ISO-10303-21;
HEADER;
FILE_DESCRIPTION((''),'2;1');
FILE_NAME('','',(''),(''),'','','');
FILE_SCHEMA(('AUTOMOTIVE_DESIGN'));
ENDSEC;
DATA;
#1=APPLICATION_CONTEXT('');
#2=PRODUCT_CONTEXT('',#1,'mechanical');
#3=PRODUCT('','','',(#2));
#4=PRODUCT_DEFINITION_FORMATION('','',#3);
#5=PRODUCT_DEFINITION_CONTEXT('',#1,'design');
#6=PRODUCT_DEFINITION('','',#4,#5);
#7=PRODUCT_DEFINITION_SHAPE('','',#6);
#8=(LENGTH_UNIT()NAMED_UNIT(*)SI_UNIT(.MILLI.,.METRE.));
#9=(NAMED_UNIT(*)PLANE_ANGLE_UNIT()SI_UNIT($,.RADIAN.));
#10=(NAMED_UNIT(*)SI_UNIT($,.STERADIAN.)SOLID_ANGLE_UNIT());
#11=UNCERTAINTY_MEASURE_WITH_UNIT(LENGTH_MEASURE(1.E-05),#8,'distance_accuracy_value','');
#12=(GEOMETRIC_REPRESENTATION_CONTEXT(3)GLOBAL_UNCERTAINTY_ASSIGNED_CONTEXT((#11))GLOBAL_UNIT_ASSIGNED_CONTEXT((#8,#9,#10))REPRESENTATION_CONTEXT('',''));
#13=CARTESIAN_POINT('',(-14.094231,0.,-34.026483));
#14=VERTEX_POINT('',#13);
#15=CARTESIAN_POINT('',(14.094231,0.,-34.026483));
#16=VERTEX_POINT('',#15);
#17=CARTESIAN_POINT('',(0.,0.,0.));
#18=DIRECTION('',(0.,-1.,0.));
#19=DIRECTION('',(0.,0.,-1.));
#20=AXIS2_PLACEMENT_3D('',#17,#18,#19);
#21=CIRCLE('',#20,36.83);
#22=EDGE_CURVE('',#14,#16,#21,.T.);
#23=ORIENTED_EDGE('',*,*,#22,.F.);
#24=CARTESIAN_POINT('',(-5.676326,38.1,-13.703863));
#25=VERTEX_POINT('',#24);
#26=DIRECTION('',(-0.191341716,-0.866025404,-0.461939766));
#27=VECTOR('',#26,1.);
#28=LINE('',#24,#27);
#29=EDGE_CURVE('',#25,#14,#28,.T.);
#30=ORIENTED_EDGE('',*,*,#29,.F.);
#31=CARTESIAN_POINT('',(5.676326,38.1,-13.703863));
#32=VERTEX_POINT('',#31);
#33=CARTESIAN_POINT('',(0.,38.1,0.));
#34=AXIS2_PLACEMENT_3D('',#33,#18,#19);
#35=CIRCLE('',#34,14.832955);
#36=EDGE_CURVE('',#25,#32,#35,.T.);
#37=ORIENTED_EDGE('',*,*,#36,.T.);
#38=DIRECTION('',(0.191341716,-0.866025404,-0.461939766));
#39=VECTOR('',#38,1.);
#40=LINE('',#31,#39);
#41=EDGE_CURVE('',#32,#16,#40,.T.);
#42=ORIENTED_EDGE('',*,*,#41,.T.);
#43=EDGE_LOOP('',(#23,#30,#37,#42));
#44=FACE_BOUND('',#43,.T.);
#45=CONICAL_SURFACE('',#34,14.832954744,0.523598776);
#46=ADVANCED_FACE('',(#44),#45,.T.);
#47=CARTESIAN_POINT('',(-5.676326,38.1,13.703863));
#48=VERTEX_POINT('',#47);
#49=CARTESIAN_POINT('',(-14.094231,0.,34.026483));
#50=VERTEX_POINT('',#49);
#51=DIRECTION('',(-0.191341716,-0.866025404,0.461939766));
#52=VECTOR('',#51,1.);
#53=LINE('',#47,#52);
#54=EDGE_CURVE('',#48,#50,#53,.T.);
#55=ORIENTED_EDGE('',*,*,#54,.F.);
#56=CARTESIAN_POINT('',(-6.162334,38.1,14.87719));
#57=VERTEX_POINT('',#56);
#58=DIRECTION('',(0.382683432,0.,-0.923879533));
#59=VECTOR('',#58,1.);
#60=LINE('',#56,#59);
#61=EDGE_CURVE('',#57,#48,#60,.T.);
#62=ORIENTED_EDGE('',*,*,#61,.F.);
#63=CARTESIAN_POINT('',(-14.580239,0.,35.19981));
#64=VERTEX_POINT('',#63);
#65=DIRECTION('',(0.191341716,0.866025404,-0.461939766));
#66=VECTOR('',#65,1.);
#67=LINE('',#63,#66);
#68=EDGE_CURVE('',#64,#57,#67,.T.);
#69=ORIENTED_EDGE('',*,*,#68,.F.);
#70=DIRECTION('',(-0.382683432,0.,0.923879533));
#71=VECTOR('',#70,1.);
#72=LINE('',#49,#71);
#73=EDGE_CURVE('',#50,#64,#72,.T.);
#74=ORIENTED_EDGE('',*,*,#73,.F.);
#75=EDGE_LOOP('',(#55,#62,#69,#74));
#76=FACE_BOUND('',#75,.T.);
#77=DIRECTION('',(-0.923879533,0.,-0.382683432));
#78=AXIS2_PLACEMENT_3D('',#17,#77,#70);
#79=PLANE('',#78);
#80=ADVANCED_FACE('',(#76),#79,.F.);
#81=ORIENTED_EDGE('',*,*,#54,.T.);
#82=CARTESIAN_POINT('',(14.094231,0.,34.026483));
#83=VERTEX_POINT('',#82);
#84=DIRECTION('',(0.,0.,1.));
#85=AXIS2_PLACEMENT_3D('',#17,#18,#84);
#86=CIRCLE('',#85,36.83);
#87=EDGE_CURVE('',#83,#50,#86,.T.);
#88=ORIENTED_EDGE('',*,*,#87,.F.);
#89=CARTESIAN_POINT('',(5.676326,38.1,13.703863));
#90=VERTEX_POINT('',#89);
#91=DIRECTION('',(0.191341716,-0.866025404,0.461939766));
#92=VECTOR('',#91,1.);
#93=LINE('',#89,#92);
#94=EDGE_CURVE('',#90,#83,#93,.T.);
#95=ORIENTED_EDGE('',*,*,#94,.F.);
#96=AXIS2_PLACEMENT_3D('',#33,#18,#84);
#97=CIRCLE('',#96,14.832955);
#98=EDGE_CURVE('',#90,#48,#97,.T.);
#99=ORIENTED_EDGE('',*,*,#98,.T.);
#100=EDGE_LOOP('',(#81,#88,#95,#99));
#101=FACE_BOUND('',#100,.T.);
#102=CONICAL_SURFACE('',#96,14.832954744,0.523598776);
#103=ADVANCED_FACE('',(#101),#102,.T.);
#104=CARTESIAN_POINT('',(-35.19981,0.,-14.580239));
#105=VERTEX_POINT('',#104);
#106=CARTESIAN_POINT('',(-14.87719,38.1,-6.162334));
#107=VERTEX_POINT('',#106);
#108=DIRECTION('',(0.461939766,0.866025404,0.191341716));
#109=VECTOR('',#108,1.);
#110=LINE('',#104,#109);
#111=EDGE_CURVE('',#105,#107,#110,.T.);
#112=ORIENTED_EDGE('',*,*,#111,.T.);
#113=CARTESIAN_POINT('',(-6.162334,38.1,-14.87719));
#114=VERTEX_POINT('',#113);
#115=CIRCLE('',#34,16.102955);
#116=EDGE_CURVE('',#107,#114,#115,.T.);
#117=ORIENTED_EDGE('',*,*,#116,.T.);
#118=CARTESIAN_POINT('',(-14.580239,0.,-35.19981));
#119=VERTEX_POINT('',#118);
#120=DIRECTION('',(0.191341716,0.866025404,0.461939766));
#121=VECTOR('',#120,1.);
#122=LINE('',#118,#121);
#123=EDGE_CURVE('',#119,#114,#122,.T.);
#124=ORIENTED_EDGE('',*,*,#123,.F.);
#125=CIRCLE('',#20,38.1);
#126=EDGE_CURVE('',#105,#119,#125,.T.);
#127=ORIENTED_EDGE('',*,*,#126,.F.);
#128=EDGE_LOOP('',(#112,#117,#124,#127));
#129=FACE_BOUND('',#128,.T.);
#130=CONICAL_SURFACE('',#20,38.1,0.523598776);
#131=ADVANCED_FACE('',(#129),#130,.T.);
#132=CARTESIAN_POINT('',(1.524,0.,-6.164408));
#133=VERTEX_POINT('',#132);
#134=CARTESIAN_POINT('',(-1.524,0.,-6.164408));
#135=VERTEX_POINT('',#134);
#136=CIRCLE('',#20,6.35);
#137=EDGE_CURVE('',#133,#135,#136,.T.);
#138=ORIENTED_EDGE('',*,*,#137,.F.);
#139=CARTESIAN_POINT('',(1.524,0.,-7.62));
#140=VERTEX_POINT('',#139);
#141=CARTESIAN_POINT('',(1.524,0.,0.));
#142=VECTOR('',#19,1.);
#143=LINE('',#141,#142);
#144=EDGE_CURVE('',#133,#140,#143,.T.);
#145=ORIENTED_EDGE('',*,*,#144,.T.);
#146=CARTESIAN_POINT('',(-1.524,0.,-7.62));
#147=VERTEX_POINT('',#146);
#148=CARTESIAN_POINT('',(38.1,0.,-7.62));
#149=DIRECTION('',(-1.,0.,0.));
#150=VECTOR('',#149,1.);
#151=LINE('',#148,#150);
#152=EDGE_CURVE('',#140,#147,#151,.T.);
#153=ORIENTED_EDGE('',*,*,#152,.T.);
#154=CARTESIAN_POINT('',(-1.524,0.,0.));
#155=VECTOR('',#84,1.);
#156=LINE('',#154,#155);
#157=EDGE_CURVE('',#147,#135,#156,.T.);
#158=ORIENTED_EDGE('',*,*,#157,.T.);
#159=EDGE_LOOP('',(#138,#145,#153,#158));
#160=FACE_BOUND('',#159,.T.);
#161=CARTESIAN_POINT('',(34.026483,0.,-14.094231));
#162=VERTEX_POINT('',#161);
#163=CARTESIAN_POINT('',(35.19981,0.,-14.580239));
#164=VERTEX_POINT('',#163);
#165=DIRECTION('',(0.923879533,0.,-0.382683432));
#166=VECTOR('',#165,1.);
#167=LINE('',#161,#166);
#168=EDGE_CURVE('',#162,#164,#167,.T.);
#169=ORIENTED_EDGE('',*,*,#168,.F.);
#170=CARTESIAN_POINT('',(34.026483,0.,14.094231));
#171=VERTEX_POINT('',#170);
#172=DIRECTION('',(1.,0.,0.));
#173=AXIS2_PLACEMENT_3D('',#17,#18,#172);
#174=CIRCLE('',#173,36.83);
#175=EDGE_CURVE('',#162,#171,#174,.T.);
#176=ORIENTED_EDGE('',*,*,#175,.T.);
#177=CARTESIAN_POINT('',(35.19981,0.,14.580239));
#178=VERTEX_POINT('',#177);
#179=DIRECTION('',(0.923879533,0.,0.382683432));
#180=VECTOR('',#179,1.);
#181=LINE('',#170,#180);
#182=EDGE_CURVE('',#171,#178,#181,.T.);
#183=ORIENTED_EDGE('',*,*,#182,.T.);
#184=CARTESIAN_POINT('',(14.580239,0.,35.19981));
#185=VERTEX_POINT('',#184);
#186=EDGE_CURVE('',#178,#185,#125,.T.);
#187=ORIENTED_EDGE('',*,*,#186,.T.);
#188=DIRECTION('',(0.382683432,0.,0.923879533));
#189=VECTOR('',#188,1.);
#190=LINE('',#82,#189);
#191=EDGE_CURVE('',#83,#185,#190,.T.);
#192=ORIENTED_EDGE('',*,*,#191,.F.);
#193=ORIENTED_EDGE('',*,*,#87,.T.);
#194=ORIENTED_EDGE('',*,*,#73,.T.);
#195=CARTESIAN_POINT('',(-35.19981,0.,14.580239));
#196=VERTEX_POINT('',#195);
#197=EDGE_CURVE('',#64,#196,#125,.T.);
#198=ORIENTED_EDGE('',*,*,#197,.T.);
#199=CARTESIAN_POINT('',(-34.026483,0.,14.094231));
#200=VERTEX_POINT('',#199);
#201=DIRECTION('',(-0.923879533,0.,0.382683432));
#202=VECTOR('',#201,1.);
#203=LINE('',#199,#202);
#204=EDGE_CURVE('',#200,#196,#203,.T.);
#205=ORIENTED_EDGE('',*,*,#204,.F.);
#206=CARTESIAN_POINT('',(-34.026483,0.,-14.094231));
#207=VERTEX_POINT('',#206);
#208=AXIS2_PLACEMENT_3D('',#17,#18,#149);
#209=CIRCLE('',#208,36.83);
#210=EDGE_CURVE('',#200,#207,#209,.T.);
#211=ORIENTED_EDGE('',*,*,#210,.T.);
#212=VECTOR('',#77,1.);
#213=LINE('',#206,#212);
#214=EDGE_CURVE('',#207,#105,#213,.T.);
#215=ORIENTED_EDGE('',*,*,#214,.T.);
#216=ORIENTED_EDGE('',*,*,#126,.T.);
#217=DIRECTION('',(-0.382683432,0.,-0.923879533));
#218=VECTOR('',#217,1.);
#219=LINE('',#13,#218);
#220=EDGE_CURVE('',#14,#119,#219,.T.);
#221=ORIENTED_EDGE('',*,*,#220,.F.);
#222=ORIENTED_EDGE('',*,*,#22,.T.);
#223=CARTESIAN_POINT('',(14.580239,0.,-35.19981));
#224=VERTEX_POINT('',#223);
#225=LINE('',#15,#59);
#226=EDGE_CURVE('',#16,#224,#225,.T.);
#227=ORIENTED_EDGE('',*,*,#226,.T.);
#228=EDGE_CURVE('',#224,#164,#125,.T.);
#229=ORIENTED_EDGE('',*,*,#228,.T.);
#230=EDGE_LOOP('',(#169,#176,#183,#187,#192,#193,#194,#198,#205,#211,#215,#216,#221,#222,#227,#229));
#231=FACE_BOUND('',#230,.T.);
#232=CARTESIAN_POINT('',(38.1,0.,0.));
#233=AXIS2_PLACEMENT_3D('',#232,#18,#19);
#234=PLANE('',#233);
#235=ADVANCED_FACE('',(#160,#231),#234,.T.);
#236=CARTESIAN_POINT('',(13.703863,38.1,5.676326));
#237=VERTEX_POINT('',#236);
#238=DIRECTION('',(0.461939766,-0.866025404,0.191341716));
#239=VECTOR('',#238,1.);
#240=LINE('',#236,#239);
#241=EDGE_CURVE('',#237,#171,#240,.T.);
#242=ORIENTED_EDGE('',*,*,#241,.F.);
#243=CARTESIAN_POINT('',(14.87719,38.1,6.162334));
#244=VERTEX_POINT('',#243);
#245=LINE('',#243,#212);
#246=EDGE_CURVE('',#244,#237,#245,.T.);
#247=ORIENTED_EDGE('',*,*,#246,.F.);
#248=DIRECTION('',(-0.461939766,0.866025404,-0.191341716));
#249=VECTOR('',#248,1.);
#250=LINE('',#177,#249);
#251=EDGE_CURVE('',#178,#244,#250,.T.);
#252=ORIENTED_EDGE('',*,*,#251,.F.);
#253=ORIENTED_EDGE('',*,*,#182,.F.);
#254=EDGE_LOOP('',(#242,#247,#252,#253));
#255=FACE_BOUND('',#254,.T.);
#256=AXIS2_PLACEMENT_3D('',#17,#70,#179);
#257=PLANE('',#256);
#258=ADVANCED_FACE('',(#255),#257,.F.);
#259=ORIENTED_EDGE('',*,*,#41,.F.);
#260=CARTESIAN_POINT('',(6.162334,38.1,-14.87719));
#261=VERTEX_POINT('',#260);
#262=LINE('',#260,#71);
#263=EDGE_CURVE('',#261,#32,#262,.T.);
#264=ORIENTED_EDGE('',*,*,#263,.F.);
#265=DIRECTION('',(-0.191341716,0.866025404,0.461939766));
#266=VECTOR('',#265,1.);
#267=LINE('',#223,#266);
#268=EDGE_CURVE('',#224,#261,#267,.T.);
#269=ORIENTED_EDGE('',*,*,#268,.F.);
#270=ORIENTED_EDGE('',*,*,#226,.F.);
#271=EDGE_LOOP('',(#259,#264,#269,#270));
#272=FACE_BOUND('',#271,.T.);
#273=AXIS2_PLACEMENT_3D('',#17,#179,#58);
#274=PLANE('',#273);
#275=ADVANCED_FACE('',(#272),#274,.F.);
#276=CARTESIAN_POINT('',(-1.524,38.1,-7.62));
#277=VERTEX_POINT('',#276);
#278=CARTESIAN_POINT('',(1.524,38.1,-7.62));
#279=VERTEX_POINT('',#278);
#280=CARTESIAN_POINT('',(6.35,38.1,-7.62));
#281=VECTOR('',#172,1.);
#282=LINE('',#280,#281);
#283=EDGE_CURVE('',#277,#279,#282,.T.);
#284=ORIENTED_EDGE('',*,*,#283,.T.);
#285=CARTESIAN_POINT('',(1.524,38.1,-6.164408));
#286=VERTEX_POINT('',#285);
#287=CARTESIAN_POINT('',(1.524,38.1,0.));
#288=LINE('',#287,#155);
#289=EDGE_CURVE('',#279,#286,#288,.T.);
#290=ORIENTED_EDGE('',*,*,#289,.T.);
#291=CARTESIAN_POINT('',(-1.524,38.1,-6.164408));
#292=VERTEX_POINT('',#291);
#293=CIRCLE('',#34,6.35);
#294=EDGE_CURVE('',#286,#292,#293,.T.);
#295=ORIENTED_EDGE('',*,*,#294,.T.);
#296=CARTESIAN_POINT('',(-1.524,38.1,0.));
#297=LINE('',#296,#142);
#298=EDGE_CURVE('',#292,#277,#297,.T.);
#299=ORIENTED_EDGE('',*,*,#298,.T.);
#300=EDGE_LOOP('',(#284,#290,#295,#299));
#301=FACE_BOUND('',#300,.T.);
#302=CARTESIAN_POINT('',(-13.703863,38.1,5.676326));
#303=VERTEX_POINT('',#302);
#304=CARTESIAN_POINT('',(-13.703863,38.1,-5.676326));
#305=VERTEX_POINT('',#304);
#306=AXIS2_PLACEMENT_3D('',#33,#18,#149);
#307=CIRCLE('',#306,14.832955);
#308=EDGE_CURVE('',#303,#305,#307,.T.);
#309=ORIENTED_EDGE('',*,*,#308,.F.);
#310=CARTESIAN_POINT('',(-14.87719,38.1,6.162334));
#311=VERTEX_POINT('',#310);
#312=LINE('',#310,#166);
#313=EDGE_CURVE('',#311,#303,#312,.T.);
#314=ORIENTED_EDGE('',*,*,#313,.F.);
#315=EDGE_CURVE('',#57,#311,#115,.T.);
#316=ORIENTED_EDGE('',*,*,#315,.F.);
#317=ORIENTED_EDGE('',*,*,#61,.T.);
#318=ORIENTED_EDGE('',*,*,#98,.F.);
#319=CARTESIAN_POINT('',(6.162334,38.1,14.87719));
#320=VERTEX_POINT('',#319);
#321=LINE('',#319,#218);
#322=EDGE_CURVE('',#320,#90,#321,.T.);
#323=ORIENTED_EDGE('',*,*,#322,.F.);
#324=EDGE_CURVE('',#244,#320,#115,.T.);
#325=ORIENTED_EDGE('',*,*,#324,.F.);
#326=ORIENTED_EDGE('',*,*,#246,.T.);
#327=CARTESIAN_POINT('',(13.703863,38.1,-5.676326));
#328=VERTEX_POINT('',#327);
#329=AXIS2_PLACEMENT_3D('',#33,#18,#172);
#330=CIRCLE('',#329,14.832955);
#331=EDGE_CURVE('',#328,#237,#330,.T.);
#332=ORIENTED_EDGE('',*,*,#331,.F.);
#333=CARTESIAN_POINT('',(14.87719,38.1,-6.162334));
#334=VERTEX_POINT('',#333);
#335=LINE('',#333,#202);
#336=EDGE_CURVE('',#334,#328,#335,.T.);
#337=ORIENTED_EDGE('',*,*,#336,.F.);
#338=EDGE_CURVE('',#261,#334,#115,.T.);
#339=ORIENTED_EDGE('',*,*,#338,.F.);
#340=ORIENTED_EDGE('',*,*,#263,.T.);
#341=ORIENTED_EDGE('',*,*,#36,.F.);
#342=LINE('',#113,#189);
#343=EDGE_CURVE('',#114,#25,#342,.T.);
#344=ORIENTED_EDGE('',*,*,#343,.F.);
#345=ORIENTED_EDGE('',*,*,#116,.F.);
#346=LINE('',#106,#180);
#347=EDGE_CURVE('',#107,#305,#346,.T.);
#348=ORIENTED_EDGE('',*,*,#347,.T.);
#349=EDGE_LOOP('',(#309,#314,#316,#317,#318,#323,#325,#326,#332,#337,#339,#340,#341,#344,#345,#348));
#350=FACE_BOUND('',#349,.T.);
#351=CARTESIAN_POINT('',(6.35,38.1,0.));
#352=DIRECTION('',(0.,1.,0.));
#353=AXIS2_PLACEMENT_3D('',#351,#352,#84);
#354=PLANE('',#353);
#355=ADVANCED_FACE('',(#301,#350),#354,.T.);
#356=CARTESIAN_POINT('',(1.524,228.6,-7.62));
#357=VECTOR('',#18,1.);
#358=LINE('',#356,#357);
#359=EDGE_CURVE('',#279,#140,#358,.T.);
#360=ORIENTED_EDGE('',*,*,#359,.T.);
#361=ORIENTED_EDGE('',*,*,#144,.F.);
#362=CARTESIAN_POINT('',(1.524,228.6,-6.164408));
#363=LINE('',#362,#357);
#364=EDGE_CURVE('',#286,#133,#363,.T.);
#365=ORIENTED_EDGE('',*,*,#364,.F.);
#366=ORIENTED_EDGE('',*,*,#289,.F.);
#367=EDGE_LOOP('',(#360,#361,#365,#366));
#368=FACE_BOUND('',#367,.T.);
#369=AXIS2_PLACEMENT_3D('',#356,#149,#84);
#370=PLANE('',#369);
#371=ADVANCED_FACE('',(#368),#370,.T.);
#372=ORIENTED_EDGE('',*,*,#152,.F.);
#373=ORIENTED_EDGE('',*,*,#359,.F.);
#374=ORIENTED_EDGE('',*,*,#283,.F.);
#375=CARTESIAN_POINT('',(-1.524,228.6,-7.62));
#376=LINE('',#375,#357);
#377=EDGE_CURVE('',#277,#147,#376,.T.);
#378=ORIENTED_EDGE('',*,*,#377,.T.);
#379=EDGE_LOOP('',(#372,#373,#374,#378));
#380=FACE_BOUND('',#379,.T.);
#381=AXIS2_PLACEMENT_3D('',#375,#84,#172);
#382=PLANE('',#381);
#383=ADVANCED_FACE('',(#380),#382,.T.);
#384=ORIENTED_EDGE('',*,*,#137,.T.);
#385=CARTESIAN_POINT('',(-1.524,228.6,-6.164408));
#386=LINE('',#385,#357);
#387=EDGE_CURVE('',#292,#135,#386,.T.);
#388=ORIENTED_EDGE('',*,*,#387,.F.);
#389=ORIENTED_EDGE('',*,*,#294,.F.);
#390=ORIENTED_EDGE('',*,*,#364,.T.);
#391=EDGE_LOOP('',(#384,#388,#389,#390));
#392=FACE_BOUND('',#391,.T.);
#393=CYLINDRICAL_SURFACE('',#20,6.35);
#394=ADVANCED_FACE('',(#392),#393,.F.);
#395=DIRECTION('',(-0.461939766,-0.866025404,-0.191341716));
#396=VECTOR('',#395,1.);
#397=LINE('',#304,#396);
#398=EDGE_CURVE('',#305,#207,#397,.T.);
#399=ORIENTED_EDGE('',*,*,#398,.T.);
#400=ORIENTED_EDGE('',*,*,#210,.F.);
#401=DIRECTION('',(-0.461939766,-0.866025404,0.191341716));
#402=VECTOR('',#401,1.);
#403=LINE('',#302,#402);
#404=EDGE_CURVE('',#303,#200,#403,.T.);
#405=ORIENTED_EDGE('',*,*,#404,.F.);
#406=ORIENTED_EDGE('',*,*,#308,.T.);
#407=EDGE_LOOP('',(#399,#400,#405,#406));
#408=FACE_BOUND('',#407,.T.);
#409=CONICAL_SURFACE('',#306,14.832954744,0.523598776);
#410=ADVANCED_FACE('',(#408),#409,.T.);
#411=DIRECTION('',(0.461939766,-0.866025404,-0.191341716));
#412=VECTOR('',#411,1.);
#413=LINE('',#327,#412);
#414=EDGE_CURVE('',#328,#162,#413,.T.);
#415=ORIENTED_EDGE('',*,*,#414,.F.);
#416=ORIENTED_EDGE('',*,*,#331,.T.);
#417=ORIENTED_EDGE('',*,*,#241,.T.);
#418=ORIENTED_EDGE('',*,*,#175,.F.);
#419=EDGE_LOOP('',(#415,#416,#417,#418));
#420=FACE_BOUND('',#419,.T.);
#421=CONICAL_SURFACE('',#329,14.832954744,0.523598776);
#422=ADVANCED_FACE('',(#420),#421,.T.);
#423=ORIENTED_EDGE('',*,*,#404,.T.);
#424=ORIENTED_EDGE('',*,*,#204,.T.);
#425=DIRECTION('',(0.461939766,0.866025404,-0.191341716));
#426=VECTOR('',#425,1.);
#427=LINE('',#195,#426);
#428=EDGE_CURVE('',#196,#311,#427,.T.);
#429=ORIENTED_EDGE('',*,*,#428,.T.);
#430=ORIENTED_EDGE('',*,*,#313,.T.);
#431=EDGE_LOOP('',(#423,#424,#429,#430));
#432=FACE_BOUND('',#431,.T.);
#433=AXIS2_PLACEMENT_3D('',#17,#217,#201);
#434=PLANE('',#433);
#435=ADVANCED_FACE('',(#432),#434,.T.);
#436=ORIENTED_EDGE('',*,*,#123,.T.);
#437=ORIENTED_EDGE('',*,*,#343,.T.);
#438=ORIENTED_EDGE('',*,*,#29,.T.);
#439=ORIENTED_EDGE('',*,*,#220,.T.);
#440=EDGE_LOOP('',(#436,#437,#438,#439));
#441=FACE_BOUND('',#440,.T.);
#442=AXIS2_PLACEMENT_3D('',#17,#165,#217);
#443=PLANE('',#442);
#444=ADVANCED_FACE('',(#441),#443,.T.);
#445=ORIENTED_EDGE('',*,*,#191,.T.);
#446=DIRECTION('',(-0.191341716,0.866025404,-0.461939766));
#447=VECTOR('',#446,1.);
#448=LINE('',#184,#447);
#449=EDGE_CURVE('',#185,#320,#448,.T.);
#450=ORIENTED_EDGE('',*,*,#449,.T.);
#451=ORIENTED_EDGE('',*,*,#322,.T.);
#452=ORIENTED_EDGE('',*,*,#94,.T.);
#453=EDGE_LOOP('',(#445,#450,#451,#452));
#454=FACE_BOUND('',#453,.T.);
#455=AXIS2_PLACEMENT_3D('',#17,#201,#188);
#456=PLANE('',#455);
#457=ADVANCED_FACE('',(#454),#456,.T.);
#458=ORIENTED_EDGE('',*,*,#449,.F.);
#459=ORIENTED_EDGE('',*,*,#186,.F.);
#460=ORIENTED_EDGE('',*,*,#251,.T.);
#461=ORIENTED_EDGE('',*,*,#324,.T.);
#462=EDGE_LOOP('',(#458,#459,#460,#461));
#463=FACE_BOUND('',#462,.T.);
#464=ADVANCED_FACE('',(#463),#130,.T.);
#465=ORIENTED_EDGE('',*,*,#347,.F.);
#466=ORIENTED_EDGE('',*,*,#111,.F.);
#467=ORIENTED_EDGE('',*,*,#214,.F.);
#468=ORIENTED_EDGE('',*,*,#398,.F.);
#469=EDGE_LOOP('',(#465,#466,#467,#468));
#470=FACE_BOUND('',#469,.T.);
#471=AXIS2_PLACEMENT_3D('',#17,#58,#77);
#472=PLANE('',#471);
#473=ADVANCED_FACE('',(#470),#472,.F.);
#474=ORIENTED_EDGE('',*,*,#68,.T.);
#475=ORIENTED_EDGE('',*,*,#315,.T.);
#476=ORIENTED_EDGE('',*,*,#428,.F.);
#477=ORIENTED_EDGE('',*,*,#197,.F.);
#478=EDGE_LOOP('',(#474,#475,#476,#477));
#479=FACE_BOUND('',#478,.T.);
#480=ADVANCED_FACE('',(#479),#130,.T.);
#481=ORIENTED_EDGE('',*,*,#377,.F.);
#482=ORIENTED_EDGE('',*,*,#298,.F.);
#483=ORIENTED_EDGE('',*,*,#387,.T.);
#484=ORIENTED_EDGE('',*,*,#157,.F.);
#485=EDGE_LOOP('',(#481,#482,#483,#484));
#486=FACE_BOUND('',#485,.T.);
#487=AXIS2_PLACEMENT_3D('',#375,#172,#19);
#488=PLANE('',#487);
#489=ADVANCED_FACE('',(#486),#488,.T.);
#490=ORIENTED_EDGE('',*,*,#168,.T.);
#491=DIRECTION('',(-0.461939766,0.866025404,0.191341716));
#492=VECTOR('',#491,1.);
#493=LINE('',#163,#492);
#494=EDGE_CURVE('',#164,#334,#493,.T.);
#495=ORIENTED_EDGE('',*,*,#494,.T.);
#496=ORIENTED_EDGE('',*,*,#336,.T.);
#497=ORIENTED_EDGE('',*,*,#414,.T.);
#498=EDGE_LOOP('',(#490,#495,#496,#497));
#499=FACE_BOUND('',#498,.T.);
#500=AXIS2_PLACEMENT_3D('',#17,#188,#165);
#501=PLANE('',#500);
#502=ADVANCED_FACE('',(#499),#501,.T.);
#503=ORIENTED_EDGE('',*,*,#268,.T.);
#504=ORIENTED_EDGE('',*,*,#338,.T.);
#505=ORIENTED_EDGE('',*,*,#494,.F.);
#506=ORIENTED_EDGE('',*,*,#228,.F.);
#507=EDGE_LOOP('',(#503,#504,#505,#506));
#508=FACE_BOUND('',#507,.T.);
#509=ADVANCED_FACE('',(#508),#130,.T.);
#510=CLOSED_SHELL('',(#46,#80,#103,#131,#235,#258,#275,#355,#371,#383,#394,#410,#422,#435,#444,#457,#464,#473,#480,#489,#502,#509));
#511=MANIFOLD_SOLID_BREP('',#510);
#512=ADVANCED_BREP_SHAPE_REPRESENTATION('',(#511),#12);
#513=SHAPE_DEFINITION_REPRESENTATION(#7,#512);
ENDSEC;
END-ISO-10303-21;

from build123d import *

# Parameters (mm, degrees)
CUT_EXTRUDE1_DEPTH      = 66.991135768
CUT_EXTRUDE1_DEPTH_BACK = 66.991135768
CUT_REVOLVE1_ANGLE      = 45
CIRPATTERN1_COUNT       = 4


with BuildPart() as part:
    # Sketch1 → Revolve1 (revolve)
    with BuildSketch(Plane.XY, mode=Mode.PRIVATE) as revolve1_sk:
        Polygon((6.35, 0), (6.35, 38.1), (16.102954744, 38.1), (38.1, 0), align=None)
    revolve(revolve1_sk.sketch.rotate(Axis((0, 0, 0), (0, 1, 0)), 90), axis=Axis((0, 0, 0), (0, 1, 0)))

    # Sketch2 → Cut-Extrude1 (cut, two sides: drawn at the far end of the back side and taken through both)
    with BuildSketch(Plane(origin=(0, 38.1, 0), x_dir=(1, 0, 0), z_dir=(0, 1, 0)).offset(-CUT_EXTRUDE1_DEPTH_BACK)):
        with BuildLine():
            Line((1.524, 7.62), (-1.524, 7.62))
            Line((-1.524, 7.62), (-1.524, 6.164407839))
            ThreePointArc((-1.524, 6.164407839), (0, 6.35), (1.524, 6.164407839))
            Line((1.524, 6.164407839), (1.524, 7.62))
        make_face()
    extrude(amount=CUT_EXTRUDE1_DEPTH + CUT_EXTRUDE1_DEPTH_BACK, mode=Mode.SUBTRACT)

    # Sketch3 → Cut-Revolve1 (revolve, symmetric, cut)
    with BuildSketch(Plane(origin=(0, 0, 0), x_dir=(0, 0, -1), z_dir=(1, 0, 0))) as cut_revolve1_sk:
        Polygon((16.102954744, 38.1), (14.832954744, 38.1), (36.83, 0), (38.1, 0), align=None)
    cut_revolve1 = revolve(axis=Axis((0, 0, 0), (0, 1, 0)), revolution_arc=CUT_REVOLVE1_ANGLE / 2, mode=Mode.SUBTRACT)
    cut_revolve1 = cut_revolve1 + revolve(cut_revolve1_sk.sketch, axis=Axis((0, 0, 0), (0, -1, 0)), revolution_arc=CUT_REVOLVE1_ANGLE / 2, mode=Mode.SUBTRACT)

    # CirPattern1: Cut-Revolve1 ×4 about axis
    cirpattern1_axis = Axis((0, 38.1, 0), (0, -1, 0))
    for i in range(1, CIRPATTERN1_COUNT):
        add(cut_revolve1.rotate(cirpattern1_axis, i * 360 / CIRPATTERN1_COUNT), mode=Mode.SUBTRACT)


solid = part.part
